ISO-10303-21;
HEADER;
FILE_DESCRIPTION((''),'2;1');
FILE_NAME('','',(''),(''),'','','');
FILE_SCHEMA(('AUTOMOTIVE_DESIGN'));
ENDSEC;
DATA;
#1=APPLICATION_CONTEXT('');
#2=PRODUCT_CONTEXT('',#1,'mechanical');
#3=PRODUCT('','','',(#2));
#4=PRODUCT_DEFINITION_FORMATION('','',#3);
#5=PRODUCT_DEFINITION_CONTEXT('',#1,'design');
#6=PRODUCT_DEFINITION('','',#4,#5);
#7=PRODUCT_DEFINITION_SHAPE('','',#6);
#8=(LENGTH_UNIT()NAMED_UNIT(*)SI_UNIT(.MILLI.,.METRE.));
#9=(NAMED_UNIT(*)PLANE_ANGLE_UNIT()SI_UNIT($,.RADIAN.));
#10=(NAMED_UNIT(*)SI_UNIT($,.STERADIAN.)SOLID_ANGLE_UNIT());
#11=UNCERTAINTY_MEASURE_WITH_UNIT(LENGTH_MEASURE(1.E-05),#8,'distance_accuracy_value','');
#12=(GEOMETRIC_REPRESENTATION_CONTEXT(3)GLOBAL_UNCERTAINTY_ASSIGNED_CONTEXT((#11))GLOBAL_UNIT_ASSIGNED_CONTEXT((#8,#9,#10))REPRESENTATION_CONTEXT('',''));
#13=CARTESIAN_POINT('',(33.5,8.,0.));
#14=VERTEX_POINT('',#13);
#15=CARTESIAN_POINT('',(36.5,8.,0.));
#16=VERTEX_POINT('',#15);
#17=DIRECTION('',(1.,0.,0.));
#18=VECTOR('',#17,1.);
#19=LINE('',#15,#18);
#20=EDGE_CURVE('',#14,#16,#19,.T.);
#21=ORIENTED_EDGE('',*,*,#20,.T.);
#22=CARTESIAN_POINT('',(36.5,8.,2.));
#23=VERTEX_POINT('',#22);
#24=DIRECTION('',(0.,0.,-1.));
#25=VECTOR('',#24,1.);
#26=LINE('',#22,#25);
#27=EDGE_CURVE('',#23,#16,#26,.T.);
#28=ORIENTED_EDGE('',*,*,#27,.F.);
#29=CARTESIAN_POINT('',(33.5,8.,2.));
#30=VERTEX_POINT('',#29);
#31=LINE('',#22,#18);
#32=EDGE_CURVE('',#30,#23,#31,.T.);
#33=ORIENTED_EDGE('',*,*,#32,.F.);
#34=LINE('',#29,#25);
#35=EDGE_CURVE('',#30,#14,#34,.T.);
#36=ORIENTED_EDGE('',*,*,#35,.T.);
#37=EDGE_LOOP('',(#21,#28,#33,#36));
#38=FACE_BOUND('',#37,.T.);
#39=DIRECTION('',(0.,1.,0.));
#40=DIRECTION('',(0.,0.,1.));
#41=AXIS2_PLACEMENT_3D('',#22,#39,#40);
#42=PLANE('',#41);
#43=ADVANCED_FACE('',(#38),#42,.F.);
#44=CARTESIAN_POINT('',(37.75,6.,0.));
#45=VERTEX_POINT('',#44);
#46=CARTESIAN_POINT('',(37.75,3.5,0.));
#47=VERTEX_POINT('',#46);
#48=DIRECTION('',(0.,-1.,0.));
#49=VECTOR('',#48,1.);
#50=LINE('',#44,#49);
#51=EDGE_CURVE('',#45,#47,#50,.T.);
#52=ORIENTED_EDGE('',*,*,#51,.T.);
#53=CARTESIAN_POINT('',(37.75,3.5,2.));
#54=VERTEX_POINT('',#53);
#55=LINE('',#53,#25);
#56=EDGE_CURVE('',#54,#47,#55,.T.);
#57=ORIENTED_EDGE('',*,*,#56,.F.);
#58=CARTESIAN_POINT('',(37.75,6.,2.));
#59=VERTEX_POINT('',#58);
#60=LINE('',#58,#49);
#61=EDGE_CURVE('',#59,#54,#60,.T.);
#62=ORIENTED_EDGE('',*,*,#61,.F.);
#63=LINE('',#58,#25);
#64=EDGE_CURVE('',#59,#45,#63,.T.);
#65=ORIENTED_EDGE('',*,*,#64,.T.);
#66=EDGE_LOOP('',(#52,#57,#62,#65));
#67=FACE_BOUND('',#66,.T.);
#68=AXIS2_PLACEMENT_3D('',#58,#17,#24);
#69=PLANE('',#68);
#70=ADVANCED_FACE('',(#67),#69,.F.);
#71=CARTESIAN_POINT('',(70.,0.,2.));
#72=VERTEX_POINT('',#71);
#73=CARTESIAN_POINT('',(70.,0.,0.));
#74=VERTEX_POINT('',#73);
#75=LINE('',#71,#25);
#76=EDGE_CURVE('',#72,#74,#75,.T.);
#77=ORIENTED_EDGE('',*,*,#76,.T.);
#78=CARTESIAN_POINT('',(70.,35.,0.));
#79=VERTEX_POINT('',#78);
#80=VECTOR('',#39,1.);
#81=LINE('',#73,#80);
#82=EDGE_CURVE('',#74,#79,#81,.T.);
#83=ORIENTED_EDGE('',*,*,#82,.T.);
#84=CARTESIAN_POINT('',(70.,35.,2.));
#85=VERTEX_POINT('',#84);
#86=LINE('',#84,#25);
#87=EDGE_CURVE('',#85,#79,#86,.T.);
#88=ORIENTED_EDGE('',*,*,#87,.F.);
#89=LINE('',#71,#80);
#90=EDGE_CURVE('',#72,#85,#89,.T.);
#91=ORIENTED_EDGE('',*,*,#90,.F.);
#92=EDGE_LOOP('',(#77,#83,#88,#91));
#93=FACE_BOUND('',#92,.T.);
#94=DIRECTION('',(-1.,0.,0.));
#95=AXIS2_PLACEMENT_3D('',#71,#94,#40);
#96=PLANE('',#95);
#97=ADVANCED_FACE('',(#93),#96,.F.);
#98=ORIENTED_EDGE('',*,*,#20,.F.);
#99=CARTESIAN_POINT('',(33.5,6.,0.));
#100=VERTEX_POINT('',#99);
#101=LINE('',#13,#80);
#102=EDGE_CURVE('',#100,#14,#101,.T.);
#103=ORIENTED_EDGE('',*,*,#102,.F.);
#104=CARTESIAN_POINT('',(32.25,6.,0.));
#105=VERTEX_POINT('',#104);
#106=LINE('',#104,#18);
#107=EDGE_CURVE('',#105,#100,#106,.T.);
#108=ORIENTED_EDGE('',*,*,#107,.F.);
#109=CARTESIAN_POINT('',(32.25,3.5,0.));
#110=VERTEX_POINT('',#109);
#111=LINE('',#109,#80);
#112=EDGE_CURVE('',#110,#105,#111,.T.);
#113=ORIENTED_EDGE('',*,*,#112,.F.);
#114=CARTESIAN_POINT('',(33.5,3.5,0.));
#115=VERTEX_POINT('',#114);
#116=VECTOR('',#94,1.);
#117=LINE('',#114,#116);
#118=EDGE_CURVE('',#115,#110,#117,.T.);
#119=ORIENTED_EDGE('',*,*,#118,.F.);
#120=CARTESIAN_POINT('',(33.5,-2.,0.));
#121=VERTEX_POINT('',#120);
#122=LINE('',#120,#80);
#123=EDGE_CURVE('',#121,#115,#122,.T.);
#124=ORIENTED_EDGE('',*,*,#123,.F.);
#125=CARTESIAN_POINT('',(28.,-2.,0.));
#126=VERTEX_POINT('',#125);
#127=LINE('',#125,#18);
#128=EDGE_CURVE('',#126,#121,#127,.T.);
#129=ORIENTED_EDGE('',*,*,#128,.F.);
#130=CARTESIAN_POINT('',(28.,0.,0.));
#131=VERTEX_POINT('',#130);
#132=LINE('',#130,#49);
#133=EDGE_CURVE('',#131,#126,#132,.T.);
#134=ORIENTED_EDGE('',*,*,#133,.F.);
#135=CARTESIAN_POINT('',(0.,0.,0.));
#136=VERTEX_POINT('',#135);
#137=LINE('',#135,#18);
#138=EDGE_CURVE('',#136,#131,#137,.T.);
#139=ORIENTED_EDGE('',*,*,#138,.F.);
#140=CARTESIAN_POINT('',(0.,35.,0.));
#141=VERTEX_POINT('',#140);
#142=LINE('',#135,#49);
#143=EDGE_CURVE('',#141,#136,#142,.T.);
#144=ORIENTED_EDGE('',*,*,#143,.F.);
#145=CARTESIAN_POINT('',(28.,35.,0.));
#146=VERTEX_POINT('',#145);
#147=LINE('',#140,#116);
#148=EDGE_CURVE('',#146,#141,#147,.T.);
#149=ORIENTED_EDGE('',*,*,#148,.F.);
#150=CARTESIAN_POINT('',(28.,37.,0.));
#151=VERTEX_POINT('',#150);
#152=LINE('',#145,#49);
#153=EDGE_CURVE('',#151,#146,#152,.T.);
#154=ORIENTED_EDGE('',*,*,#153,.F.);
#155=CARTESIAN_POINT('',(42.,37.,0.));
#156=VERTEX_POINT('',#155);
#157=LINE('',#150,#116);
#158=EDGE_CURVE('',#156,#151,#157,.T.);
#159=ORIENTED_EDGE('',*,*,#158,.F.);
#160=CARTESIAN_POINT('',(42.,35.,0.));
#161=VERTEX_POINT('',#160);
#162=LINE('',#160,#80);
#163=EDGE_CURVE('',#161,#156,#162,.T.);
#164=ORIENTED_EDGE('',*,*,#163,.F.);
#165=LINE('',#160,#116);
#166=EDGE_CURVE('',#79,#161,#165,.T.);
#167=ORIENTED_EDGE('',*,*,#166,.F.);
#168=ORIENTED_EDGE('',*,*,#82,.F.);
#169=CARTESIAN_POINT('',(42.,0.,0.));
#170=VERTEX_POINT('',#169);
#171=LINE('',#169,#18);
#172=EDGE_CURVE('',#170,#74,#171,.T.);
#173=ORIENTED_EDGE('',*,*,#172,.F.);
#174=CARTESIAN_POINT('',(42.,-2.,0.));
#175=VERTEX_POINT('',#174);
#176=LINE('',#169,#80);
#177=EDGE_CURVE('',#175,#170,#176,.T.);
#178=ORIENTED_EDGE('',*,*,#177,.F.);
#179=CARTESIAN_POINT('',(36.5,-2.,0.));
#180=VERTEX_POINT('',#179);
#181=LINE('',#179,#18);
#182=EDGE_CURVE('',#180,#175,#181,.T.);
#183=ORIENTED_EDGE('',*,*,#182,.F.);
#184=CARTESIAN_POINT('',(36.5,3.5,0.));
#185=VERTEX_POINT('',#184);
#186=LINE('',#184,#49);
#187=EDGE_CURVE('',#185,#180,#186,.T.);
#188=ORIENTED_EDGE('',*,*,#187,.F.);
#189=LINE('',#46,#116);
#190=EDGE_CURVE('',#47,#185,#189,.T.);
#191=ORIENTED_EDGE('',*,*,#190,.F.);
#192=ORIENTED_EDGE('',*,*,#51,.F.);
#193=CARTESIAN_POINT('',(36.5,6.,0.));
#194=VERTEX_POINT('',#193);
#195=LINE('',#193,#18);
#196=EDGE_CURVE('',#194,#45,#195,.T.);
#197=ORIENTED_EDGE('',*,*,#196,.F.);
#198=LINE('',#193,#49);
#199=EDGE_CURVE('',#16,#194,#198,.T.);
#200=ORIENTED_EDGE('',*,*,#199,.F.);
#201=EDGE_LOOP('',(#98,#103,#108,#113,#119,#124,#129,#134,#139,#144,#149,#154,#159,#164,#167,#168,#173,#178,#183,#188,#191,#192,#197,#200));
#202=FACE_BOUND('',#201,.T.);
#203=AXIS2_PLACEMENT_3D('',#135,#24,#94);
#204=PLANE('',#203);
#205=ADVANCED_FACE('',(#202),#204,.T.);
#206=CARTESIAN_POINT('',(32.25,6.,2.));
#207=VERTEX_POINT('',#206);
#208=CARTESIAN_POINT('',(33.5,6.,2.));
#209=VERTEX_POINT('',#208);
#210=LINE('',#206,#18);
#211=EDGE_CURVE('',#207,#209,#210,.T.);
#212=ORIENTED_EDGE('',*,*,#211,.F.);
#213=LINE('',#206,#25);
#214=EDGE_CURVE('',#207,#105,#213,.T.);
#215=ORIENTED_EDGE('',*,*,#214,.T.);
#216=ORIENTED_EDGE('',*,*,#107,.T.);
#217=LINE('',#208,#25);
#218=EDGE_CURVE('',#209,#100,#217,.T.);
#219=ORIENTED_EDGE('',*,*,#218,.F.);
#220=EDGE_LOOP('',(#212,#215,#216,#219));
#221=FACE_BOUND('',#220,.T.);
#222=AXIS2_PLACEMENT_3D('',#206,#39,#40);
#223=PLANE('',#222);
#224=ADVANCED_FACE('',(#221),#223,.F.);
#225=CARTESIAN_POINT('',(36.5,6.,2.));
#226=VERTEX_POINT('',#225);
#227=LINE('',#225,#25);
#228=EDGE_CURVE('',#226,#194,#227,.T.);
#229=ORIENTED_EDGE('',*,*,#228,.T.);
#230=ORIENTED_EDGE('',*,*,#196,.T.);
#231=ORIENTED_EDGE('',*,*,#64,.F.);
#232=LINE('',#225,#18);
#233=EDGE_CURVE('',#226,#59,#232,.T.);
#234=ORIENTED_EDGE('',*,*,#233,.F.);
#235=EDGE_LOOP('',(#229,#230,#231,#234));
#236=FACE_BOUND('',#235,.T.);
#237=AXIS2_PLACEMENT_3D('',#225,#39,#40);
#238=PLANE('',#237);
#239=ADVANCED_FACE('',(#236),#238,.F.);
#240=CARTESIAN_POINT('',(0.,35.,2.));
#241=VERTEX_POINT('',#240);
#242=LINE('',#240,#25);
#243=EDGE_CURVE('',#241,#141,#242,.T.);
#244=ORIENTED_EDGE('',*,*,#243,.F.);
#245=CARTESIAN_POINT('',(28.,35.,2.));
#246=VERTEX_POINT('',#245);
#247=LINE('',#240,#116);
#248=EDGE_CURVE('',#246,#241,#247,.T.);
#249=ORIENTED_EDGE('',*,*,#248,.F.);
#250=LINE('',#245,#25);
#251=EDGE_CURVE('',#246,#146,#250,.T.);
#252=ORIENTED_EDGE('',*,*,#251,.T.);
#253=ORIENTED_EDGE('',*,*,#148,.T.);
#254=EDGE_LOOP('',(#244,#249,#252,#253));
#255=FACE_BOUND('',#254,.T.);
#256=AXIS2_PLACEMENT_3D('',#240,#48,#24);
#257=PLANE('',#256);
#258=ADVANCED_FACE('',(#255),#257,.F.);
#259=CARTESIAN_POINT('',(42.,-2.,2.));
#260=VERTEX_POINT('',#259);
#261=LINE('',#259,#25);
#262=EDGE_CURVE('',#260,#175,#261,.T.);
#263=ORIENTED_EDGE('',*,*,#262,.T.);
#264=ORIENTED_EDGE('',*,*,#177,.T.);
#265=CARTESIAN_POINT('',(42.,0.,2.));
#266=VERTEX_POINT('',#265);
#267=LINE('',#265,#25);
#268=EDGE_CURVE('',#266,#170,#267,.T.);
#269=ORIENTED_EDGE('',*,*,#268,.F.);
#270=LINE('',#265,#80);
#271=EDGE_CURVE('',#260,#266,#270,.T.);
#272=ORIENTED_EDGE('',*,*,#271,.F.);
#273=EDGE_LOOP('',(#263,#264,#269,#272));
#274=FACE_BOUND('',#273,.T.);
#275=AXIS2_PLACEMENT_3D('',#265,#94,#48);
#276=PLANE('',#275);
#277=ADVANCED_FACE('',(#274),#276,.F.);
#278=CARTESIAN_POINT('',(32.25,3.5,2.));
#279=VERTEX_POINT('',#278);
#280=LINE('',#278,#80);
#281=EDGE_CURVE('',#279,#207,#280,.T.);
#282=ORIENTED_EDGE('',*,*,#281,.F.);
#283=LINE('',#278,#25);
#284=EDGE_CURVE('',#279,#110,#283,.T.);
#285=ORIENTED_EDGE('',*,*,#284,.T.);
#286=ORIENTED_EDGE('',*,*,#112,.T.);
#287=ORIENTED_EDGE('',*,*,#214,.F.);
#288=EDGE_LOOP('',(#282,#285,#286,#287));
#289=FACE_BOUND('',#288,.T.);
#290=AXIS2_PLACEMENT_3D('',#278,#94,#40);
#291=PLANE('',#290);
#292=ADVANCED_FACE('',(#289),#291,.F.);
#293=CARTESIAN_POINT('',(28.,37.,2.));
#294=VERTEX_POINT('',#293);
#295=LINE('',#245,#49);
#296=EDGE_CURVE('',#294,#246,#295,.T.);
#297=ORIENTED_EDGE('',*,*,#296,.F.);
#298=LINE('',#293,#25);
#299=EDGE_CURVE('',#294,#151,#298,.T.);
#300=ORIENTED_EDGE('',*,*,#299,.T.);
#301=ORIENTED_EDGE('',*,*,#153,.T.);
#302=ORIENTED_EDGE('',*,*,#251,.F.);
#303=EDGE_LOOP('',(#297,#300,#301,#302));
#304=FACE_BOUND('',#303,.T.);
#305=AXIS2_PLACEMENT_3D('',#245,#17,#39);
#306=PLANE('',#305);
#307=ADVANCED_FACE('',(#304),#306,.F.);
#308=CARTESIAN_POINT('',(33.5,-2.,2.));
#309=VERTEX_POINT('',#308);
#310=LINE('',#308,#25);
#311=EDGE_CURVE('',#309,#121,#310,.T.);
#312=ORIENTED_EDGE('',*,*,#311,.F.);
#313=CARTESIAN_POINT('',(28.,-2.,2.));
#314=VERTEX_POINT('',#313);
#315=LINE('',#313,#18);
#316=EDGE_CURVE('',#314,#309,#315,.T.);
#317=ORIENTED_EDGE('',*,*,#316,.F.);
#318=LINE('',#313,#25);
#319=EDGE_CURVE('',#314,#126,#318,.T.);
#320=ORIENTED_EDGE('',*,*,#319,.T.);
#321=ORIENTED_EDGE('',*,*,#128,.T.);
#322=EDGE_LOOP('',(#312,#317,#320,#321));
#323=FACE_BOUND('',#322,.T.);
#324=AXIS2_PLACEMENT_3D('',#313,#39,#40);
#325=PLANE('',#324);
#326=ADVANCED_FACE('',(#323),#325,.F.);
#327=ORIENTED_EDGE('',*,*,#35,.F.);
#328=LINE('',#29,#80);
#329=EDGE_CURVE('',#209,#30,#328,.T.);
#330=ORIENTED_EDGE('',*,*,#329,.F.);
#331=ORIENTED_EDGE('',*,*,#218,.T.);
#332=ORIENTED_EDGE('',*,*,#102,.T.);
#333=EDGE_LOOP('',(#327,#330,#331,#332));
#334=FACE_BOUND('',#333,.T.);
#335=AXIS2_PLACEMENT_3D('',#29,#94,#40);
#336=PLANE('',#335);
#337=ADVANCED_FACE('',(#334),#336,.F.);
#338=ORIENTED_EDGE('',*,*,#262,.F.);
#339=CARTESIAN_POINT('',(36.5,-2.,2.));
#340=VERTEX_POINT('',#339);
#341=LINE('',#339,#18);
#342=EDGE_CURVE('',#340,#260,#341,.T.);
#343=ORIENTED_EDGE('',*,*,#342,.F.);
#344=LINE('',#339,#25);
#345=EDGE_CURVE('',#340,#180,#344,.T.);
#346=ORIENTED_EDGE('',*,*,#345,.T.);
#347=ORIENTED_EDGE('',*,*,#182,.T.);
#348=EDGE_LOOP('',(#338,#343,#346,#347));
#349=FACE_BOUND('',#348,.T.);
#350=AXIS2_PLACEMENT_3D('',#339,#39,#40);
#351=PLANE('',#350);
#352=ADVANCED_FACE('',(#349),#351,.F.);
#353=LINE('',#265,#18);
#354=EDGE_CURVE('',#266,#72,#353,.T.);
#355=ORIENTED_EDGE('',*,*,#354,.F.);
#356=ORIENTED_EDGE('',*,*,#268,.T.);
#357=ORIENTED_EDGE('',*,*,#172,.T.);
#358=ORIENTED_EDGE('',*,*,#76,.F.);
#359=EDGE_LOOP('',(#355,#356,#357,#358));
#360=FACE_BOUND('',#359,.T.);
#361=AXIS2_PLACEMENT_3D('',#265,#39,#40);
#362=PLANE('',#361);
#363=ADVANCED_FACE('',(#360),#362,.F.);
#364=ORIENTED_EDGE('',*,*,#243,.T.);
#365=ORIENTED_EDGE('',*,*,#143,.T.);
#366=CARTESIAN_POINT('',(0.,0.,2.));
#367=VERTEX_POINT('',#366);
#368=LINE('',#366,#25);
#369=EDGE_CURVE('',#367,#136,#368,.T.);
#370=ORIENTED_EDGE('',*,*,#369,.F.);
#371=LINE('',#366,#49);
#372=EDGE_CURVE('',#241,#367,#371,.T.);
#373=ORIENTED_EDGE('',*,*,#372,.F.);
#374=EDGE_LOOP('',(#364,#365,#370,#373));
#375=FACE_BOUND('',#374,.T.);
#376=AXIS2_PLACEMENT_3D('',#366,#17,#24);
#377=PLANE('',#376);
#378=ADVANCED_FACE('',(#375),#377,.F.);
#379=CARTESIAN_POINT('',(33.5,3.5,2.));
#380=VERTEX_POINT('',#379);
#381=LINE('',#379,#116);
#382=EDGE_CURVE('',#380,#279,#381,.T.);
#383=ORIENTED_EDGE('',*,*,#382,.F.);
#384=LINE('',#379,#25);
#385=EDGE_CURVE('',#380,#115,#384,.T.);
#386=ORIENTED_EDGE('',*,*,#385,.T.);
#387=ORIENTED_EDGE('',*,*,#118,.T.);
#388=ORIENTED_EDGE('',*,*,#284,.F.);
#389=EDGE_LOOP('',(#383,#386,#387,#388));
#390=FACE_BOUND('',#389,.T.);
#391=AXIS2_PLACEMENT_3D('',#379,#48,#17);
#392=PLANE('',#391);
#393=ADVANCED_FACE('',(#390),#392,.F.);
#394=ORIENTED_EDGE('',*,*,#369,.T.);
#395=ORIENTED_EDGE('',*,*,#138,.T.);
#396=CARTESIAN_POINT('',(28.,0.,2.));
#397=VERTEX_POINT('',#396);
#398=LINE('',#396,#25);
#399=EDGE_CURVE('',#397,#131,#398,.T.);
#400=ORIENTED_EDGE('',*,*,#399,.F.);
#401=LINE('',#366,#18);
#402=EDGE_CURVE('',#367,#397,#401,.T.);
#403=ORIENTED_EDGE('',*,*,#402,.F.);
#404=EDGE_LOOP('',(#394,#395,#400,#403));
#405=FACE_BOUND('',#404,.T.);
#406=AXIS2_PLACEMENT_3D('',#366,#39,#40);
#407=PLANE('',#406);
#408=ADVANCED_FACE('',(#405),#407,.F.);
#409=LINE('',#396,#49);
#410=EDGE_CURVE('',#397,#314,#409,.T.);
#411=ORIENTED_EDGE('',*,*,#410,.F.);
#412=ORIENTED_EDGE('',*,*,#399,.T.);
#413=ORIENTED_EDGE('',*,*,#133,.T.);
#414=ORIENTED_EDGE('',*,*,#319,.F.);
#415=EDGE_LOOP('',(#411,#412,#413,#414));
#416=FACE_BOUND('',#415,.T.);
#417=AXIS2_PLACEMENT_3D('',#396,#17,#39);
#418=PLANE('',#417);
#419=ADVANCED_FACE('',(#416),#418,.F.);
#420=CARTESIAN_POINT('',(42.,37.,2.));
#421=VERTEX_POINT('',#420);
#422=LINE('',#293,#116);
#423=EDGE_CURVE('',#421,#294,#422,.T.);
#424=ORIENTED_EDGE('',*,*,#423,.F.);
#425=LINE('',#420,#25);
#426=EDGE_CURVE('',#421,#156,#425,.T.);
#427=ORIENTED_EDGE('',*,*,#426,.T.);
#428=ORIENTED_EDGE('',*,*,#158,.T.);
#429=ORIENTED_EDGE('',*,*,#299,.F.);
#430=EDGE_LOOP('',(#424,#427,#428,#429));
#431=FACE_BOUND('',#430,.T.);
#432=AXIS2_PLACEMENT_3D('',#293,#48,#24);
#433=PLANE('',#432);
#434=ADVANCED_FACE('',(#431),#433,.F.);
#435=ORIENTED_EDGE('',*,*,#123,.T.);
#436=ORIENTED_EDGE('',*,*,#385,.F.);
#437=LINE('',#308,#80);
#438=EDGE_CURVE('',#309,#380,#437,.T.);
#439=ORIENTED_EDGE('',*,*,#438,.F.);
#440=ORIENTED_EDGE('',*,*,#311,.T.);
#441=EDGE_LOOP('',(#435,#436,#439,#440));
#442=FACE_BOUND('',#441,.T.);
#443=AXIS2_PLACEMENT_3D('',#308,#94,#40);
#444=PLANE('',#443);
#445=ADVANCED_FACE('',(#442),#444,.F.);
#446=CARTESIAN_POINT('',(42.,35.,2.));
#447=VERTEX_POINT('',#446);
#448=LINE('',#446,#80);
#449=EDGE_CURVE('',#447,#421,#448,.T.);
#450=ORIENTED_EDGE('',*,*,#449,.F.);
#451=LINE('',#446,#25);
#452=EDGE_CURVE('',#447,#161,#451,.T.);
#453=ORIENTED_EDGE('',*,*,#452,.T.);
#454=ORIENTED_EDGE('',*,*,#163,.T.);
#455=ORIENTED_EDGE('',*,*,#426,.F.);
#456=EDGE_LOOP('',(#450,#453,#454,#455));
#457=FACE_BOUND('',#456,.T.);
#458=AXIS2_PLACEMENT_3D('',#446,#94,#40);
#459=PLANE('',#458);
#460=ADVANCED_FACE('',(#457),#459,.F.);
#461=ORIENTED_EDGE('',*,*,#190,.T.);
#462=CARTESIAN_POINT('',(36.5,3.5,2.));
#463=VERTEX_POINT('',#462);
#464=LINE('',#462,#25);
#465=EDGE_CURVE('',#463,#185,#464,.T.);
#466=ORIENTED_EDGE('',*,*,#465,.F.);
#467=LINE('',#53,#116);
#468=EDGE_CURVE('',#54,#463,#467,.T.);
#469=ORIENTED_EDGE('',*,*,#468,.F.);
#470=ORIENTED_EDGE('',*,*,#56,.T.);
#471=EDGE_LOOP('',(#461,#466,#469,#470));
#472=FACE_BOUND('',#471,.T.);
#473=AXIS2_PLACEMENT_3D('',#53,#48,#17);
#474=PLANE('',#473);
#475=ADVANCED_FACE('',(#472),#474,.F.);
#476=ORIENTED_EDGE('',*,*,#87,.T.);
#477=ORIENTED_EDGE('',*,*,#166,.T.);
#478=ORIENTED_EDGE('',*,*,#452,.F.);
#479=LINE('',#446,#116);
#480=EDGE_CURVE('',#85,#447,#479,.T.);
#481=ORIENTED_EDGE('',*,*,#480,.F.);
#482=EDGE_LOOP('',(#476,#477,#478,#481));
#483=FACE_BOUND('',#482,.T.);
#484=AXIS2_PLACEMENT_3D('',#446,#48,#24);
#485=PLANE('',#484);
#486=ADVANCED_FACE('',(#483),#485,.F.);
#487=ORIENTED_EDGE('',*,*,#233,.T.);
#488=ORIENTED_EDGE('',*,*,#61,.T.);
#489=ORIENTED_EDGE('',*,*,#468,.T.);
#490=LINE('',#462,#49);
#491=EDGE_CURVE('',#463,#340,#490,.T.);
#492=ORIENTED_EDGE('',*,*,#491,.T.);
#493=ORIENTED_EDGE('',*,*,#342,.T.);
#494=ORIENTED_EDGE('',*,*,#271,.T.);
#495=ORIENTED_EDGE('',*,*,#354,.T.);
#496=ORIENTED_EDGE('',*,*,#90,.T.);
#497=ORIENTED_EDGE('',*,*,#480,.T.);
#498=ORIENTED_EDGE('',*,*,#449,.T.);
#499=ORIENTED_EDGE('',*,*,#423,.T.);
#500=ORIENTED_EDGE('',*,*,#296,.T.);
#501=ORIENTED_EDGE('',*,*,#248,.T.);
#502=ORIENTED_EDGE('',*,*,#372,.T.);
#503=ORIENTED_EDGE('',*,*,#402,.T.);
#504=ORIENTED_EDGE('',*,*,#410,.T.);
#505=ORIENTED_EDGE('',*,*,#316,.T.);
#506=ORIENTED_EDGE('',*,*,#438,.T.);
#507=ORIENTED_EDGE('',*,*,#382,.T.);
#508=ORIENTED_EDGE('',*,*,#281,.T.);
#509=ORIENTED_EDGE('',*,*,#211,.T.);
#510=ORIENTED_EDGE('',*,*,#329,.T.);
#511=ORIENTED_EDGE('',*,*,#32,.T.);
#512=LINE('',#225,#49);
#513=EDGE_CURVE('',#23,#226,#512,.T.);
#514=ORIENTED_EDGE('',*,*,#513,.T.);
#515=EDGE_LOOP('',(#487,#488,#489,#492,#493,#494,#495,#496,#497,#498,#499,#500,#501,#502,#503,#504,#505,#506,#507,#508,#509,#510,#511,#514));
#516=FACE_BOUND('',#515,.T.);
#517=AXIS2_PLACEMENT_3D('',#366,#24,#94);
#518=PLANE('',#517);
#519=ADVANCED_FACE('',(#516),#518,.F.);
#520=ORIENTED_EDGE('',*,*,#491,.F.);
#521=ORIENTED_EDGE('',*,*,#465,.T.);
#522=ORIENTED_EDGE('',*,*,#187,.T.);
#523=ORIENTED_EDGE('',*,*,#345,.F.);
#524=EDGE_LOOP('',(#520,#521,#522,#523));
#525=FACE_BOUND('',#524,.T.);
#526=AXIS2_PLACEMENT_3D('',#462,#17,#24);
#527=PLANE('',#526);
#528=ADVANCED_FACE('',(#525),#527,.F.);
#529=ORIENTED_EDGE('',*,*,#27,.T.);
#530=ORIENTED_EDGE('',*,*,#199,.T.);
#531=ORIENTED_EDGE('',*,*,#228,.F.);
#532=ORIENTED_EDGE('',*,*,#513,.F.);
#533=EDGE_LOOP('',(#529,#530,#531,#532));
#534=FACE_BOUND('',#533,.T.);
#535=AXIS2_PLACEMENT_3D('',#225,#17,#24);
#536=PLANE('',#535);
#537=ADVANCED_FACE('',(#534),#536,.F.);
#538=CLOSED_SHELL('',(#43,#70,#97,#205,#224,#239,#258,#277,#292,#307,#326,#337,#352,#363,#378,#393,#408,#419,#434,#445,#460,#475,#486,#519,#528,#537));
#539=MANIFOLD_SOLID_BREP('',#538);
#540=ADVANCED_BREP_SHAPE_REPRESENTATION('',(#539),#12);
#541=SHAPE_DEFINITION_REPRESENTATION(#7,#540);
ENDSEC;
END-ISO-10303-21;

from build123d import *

# Parameters (mm, degrees)
MAIN_SLIDER_SIDE_DOWN_DEPTH = 2


with BuildPart() as part:
    # Sketch1 → Main Slider Side Down (new body)
    with BuildSketch(Plane.XY):
        Polygon((42, 35), (70, 35), (70, 0), (42, 0), (42, -2), (36.5, -2), (36.5, 3.5), (37.75, 3.5), (37.75, 6), (36.5, 6), (36.5, 8), (33.5, 8), (33.5, 6), (32.25, 6), (32.25, 3.5), (33.5, 3.5), (33.5, -2), (28, -2), (28, 0), (0, 0), (0, 35), (28, 35), (28, 37), (42, 37), align=None)
    extrude(amount=MAIN_SLIDER_SIDE_DOWN_DEPTH)


solid = part.part
